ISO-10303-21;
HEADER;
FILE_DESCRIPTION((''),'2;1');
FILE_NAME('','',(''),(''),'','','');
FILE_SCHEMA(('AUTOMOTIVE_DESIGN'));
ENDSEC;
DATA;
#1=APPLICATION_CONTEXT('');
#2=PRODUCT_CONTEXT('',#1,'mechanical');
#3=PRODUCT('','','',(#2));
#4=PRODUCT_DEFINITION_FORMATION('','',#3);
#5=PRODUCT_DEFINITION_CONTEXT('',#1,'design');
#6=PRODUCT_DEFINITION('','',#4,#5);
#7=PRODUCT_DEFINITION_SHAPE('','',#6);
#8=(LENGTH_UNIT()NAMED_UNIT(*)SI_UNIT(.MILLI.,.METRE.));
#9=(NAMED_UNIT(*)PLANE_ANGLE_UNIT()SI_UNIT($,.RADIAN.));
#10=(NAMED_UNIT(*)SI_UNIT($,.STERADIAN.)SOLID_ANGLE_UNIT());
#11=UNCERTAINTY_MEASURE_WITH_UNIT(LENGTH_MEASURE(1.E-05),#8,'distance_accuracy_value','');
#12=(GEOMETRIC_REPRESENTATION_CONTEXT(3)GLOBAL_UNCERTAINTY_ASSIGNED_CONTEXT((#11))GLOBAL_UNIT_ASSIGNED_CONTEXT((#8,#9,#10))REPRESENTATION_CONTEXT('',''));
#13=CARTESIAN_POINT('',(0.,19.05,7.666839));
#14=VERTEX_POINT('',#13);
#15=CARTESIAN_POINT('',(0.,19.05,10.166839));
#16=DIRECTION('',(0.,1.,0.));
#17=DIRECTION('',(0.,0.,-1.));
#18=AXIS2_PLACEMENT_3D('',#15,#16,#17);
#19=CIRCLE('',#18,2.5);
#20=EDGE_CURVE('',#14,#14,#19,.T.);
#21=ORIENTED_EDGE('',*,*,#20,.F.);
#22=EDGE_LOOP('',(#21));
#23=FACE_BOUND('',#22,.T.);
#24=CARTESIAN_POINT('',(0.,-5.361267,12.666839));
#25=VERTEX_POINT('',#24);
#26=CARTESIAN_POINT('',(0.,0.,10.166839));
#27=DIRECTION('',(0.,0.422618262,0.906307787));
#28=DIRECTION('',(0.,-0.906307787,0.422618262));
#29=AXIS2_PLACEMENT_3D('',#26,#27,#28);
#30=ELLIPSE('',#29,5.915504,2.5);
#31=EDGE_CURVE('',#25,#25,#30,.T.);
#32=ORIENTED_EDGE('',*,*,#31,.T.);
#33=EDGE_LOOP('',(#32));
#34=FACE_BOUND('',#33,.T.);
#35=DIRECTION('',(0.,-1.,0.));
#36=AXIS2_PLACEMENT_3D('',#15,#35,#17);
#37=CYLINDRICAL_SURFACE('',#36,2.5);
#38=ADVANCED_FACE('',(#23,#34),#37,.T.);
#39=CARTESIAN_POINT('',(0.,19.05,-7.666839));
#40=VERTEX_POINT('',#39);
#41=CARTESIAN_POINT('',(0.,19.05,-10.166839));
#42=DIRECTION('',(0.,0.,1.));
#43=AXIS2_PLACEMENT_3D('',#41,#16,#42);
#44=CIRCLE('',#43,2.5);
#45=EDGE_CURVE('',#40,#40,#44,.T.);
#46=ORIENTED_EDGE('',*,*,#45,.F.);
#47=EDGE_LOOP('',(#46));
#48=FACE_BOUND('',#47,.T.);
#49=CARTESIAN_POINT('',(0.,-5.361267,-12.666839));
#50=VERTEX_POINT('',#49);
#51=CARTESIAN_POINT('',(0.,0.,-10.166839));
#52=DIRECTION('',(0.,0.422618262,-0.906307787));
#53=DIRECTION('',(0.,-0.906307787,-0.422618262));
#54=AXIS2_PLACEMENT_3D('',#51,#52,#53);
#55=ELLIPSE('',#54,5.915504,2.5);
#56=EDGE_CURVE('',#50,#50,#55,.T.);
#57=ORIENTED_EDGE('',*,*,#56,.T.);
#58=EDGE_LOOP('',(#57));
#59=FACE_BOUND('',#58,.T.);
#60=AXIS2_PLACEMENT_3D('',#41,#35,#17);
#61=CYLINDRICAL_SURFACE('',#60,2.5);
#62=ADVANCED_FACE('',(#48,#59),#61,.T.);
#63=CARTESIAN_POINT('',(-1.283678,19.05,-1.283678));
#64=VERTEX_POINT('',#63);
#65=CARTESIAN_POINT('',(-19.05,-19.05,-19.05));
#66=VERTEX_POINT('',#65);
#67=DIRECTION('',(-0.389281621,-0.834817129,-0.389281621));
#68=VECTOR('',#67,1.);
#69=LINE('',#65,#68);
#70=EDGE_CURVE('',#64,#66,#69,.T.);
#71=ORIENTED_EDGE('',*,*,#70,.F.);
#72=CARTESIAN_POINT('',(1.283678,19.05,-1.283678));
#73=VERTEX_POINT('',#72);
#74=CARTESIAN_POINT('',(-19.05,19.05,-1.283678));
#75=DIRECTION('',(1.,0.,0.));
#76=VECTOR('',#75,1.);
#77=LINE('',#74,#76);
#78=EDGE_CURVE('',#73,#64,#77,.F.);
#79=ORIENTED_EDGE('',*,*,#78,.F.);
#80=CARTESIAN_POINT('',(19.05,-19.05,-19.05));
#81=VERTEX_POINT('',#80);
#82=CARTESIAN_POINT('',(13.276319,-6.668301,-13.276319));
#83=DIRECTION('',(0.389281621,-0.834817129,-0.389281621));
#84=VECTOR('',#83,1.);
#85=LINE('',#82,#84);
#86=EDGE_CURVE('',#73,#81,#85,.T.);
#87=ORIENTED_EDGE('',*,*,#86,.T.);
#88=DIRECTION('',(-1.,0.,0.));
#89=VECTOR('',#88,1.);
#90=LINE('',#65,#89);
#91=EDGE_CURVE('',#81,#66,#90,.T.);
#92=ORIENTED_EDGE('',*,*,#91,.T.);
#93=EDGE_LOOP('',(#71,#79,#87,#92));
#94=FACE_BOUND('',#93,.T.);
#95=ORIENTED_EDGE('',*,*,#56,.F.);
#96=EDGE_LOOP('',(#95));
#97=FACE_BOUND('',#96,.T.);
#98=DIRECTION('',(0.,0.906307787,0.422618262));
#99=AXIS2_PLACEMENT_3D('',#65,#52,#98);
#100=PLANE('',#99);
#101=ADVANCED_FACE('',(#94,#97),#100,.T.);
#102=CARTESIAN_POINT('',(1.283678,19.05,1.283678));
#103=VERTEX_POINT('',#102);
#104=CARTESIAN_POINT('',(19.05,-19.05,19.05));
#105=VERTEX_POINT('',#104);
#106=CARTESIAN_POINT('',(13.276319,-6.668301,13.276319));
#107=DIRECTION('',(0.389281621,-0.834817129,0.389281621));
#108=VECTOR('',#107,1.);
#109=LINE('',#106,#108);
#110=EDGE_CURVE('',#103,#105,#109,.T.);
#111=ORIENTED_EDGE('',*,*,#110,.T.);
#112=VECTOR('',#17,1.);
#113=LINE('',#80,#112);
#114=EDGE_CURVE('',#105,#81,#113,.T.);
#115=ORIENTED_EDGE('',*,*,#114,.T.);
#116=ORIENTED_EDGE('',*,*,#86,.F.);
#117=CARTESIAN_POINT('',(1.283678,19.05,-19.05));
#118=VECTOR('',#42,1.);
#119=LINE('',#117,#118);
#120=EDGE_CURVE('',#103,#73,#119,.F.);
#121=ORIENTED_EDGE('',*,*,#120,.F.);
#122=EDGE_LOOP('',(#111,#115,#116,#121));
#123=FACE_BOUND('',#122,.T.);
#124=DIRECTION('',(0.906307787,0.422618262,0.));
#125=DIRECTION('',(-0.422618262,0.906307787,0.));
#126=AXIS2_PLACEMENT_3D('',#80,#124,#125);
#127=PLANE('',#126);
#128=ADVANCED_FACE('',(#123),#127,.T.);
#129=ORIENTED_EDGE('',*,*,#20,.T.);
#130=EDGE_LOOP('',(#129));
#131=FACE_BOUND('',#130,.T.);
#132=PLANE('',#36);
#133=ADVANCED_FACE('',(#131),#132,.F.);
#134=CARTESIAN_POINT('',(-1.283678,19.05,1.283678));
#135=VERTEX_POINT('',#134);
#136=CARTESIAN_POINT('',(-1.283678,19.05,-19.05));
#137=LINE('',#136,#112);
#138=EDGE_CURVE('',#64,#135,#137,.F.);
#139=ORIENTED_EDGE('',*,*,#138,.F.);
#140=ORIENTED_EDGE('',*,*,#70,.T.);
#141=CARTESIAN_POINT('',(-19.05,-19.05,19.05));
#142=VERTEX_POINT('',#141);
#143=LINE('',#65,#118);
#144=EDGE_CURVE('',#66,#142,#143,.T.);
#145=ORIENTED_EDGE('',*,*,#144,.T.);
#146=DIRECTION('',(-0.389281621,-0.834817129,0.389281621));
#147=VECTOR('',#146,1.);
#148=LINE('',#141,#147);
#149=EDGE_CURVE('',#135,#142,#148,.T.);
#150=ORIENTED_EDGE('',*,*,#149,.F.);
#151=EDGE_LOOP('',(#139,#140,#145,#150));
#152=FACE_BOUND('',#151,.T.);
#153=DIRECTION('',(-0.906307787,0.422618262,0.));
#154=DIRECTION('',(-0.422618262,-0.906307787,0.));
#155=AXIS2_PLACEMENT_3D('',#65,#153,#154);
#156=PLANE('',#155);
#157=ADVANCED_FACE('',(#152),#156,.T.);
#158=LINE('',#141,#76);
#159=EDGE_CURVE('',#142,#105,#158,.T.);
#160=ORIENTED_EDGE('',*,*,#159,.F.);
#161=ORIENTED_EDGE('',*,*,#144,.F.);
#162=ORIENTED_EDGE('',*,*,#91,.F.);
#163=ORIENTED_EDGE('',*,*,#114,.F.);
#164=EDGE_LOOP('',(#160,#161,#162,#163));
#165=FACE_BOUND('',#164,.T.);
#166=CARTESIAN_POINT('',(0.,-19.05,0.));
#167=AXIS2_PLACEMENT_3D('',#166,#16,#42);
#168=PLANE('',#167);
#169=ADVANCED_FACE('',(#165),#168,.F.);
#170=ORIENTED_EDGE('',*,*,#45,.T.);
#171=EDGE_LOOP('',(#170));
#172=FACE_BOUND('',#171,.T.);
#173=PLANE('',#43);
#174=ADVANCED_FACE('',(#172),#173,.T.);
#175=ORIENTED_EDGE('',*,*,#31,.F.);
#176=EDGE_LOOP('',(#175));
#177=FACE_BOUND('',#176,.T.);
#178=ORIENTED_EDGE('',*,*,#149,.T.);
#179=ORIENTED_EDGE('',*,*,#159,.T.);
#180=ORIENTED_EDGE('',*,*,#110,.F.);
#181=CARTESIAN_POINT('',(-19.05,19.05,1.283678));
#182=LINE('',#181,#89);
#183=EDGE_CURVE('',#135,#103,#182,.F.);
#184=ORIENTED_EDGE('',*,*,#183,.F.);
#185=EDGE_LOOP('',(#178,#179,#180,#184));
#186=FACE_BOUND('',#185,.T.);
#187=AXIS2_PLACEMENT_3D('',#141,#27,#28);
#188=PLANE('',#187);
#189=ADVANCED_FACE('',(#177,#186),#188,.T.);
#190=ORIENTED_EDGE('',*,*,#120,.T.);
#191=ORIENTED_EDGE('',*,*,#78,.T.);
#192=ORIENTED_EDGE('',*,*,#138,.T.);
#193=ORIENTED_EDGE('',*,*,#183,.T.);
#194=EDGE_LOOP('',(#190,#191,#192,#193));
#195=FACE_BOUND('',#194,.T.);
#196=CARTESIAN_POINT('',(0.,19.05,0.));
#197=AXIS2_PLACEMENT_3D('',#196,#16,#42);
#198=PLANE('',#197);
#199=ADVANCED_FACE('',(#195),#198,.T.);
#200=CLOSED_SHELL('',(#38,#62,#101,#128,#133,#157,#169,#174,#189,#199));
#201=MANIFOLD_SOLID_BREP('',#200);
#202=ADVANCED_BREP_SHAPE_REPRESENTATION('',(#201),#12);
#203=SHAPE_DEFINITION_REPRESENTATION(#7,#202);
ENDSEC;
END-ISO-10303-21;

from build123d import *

# Parameters (mm, degrees)
SKETCH1_W           = 38.1
SKETCH1_H           = 38.1
BOSS_EXTRUDE1_DEPTH = 19.05
DRAFT1_ANGLE        = -25
SKETCH2_R           = 2.5
BOSS_EXTRUDE3_DEPTH = 19.05


with BuildPart() as part:
    # Sketch1 → Boss-Extrude1 (new, symmetric)
    with BuildSketch(Plane(origin=(0, 0, 0), x_dir=(1, 0, 0), z_dir=(0, 1, 0))):
        Rectangle(SKETCH1_W, SKETCH1_H)
    extrude(amount=BOSS_EXTRUDE1_DEPTH, both=True)

    # Draft1
    draft1_faces = [part.faces().sort_by_distance(p)[0] for p in [
        (-19.05, 0, 0),
        (0, 0, 19.05),
        (19.05, 0, 0),
        (0, 0, -19.05),
    ]]
    draft(draft1_faces, Plane(origin=(0, -19.05, 0), x_dir=(0, 0, -1), z_dir=(0, -1, 0)), DRAFT1_ANGLE)

    # Sketch2 → Boss-Extrude3 (add, symmetric)
    with BuildSketch(Plane(origin=(0, 0, 0), x_dir=(1, 0, 0), z_dir=(0, 1, 0))):
        with Locations(Location((0, 10.166839112, 0), (0, 0, 90))):
            Circle(SKETCH2_R)
        with Locations(Location((0, -10.166839112, 0), (0, 0, 90))):
            Circle(SKETCH2_R)
    extrude(amount=BOSS_EXTRUDE3_DEPTH, both=True)


solid = part.part
